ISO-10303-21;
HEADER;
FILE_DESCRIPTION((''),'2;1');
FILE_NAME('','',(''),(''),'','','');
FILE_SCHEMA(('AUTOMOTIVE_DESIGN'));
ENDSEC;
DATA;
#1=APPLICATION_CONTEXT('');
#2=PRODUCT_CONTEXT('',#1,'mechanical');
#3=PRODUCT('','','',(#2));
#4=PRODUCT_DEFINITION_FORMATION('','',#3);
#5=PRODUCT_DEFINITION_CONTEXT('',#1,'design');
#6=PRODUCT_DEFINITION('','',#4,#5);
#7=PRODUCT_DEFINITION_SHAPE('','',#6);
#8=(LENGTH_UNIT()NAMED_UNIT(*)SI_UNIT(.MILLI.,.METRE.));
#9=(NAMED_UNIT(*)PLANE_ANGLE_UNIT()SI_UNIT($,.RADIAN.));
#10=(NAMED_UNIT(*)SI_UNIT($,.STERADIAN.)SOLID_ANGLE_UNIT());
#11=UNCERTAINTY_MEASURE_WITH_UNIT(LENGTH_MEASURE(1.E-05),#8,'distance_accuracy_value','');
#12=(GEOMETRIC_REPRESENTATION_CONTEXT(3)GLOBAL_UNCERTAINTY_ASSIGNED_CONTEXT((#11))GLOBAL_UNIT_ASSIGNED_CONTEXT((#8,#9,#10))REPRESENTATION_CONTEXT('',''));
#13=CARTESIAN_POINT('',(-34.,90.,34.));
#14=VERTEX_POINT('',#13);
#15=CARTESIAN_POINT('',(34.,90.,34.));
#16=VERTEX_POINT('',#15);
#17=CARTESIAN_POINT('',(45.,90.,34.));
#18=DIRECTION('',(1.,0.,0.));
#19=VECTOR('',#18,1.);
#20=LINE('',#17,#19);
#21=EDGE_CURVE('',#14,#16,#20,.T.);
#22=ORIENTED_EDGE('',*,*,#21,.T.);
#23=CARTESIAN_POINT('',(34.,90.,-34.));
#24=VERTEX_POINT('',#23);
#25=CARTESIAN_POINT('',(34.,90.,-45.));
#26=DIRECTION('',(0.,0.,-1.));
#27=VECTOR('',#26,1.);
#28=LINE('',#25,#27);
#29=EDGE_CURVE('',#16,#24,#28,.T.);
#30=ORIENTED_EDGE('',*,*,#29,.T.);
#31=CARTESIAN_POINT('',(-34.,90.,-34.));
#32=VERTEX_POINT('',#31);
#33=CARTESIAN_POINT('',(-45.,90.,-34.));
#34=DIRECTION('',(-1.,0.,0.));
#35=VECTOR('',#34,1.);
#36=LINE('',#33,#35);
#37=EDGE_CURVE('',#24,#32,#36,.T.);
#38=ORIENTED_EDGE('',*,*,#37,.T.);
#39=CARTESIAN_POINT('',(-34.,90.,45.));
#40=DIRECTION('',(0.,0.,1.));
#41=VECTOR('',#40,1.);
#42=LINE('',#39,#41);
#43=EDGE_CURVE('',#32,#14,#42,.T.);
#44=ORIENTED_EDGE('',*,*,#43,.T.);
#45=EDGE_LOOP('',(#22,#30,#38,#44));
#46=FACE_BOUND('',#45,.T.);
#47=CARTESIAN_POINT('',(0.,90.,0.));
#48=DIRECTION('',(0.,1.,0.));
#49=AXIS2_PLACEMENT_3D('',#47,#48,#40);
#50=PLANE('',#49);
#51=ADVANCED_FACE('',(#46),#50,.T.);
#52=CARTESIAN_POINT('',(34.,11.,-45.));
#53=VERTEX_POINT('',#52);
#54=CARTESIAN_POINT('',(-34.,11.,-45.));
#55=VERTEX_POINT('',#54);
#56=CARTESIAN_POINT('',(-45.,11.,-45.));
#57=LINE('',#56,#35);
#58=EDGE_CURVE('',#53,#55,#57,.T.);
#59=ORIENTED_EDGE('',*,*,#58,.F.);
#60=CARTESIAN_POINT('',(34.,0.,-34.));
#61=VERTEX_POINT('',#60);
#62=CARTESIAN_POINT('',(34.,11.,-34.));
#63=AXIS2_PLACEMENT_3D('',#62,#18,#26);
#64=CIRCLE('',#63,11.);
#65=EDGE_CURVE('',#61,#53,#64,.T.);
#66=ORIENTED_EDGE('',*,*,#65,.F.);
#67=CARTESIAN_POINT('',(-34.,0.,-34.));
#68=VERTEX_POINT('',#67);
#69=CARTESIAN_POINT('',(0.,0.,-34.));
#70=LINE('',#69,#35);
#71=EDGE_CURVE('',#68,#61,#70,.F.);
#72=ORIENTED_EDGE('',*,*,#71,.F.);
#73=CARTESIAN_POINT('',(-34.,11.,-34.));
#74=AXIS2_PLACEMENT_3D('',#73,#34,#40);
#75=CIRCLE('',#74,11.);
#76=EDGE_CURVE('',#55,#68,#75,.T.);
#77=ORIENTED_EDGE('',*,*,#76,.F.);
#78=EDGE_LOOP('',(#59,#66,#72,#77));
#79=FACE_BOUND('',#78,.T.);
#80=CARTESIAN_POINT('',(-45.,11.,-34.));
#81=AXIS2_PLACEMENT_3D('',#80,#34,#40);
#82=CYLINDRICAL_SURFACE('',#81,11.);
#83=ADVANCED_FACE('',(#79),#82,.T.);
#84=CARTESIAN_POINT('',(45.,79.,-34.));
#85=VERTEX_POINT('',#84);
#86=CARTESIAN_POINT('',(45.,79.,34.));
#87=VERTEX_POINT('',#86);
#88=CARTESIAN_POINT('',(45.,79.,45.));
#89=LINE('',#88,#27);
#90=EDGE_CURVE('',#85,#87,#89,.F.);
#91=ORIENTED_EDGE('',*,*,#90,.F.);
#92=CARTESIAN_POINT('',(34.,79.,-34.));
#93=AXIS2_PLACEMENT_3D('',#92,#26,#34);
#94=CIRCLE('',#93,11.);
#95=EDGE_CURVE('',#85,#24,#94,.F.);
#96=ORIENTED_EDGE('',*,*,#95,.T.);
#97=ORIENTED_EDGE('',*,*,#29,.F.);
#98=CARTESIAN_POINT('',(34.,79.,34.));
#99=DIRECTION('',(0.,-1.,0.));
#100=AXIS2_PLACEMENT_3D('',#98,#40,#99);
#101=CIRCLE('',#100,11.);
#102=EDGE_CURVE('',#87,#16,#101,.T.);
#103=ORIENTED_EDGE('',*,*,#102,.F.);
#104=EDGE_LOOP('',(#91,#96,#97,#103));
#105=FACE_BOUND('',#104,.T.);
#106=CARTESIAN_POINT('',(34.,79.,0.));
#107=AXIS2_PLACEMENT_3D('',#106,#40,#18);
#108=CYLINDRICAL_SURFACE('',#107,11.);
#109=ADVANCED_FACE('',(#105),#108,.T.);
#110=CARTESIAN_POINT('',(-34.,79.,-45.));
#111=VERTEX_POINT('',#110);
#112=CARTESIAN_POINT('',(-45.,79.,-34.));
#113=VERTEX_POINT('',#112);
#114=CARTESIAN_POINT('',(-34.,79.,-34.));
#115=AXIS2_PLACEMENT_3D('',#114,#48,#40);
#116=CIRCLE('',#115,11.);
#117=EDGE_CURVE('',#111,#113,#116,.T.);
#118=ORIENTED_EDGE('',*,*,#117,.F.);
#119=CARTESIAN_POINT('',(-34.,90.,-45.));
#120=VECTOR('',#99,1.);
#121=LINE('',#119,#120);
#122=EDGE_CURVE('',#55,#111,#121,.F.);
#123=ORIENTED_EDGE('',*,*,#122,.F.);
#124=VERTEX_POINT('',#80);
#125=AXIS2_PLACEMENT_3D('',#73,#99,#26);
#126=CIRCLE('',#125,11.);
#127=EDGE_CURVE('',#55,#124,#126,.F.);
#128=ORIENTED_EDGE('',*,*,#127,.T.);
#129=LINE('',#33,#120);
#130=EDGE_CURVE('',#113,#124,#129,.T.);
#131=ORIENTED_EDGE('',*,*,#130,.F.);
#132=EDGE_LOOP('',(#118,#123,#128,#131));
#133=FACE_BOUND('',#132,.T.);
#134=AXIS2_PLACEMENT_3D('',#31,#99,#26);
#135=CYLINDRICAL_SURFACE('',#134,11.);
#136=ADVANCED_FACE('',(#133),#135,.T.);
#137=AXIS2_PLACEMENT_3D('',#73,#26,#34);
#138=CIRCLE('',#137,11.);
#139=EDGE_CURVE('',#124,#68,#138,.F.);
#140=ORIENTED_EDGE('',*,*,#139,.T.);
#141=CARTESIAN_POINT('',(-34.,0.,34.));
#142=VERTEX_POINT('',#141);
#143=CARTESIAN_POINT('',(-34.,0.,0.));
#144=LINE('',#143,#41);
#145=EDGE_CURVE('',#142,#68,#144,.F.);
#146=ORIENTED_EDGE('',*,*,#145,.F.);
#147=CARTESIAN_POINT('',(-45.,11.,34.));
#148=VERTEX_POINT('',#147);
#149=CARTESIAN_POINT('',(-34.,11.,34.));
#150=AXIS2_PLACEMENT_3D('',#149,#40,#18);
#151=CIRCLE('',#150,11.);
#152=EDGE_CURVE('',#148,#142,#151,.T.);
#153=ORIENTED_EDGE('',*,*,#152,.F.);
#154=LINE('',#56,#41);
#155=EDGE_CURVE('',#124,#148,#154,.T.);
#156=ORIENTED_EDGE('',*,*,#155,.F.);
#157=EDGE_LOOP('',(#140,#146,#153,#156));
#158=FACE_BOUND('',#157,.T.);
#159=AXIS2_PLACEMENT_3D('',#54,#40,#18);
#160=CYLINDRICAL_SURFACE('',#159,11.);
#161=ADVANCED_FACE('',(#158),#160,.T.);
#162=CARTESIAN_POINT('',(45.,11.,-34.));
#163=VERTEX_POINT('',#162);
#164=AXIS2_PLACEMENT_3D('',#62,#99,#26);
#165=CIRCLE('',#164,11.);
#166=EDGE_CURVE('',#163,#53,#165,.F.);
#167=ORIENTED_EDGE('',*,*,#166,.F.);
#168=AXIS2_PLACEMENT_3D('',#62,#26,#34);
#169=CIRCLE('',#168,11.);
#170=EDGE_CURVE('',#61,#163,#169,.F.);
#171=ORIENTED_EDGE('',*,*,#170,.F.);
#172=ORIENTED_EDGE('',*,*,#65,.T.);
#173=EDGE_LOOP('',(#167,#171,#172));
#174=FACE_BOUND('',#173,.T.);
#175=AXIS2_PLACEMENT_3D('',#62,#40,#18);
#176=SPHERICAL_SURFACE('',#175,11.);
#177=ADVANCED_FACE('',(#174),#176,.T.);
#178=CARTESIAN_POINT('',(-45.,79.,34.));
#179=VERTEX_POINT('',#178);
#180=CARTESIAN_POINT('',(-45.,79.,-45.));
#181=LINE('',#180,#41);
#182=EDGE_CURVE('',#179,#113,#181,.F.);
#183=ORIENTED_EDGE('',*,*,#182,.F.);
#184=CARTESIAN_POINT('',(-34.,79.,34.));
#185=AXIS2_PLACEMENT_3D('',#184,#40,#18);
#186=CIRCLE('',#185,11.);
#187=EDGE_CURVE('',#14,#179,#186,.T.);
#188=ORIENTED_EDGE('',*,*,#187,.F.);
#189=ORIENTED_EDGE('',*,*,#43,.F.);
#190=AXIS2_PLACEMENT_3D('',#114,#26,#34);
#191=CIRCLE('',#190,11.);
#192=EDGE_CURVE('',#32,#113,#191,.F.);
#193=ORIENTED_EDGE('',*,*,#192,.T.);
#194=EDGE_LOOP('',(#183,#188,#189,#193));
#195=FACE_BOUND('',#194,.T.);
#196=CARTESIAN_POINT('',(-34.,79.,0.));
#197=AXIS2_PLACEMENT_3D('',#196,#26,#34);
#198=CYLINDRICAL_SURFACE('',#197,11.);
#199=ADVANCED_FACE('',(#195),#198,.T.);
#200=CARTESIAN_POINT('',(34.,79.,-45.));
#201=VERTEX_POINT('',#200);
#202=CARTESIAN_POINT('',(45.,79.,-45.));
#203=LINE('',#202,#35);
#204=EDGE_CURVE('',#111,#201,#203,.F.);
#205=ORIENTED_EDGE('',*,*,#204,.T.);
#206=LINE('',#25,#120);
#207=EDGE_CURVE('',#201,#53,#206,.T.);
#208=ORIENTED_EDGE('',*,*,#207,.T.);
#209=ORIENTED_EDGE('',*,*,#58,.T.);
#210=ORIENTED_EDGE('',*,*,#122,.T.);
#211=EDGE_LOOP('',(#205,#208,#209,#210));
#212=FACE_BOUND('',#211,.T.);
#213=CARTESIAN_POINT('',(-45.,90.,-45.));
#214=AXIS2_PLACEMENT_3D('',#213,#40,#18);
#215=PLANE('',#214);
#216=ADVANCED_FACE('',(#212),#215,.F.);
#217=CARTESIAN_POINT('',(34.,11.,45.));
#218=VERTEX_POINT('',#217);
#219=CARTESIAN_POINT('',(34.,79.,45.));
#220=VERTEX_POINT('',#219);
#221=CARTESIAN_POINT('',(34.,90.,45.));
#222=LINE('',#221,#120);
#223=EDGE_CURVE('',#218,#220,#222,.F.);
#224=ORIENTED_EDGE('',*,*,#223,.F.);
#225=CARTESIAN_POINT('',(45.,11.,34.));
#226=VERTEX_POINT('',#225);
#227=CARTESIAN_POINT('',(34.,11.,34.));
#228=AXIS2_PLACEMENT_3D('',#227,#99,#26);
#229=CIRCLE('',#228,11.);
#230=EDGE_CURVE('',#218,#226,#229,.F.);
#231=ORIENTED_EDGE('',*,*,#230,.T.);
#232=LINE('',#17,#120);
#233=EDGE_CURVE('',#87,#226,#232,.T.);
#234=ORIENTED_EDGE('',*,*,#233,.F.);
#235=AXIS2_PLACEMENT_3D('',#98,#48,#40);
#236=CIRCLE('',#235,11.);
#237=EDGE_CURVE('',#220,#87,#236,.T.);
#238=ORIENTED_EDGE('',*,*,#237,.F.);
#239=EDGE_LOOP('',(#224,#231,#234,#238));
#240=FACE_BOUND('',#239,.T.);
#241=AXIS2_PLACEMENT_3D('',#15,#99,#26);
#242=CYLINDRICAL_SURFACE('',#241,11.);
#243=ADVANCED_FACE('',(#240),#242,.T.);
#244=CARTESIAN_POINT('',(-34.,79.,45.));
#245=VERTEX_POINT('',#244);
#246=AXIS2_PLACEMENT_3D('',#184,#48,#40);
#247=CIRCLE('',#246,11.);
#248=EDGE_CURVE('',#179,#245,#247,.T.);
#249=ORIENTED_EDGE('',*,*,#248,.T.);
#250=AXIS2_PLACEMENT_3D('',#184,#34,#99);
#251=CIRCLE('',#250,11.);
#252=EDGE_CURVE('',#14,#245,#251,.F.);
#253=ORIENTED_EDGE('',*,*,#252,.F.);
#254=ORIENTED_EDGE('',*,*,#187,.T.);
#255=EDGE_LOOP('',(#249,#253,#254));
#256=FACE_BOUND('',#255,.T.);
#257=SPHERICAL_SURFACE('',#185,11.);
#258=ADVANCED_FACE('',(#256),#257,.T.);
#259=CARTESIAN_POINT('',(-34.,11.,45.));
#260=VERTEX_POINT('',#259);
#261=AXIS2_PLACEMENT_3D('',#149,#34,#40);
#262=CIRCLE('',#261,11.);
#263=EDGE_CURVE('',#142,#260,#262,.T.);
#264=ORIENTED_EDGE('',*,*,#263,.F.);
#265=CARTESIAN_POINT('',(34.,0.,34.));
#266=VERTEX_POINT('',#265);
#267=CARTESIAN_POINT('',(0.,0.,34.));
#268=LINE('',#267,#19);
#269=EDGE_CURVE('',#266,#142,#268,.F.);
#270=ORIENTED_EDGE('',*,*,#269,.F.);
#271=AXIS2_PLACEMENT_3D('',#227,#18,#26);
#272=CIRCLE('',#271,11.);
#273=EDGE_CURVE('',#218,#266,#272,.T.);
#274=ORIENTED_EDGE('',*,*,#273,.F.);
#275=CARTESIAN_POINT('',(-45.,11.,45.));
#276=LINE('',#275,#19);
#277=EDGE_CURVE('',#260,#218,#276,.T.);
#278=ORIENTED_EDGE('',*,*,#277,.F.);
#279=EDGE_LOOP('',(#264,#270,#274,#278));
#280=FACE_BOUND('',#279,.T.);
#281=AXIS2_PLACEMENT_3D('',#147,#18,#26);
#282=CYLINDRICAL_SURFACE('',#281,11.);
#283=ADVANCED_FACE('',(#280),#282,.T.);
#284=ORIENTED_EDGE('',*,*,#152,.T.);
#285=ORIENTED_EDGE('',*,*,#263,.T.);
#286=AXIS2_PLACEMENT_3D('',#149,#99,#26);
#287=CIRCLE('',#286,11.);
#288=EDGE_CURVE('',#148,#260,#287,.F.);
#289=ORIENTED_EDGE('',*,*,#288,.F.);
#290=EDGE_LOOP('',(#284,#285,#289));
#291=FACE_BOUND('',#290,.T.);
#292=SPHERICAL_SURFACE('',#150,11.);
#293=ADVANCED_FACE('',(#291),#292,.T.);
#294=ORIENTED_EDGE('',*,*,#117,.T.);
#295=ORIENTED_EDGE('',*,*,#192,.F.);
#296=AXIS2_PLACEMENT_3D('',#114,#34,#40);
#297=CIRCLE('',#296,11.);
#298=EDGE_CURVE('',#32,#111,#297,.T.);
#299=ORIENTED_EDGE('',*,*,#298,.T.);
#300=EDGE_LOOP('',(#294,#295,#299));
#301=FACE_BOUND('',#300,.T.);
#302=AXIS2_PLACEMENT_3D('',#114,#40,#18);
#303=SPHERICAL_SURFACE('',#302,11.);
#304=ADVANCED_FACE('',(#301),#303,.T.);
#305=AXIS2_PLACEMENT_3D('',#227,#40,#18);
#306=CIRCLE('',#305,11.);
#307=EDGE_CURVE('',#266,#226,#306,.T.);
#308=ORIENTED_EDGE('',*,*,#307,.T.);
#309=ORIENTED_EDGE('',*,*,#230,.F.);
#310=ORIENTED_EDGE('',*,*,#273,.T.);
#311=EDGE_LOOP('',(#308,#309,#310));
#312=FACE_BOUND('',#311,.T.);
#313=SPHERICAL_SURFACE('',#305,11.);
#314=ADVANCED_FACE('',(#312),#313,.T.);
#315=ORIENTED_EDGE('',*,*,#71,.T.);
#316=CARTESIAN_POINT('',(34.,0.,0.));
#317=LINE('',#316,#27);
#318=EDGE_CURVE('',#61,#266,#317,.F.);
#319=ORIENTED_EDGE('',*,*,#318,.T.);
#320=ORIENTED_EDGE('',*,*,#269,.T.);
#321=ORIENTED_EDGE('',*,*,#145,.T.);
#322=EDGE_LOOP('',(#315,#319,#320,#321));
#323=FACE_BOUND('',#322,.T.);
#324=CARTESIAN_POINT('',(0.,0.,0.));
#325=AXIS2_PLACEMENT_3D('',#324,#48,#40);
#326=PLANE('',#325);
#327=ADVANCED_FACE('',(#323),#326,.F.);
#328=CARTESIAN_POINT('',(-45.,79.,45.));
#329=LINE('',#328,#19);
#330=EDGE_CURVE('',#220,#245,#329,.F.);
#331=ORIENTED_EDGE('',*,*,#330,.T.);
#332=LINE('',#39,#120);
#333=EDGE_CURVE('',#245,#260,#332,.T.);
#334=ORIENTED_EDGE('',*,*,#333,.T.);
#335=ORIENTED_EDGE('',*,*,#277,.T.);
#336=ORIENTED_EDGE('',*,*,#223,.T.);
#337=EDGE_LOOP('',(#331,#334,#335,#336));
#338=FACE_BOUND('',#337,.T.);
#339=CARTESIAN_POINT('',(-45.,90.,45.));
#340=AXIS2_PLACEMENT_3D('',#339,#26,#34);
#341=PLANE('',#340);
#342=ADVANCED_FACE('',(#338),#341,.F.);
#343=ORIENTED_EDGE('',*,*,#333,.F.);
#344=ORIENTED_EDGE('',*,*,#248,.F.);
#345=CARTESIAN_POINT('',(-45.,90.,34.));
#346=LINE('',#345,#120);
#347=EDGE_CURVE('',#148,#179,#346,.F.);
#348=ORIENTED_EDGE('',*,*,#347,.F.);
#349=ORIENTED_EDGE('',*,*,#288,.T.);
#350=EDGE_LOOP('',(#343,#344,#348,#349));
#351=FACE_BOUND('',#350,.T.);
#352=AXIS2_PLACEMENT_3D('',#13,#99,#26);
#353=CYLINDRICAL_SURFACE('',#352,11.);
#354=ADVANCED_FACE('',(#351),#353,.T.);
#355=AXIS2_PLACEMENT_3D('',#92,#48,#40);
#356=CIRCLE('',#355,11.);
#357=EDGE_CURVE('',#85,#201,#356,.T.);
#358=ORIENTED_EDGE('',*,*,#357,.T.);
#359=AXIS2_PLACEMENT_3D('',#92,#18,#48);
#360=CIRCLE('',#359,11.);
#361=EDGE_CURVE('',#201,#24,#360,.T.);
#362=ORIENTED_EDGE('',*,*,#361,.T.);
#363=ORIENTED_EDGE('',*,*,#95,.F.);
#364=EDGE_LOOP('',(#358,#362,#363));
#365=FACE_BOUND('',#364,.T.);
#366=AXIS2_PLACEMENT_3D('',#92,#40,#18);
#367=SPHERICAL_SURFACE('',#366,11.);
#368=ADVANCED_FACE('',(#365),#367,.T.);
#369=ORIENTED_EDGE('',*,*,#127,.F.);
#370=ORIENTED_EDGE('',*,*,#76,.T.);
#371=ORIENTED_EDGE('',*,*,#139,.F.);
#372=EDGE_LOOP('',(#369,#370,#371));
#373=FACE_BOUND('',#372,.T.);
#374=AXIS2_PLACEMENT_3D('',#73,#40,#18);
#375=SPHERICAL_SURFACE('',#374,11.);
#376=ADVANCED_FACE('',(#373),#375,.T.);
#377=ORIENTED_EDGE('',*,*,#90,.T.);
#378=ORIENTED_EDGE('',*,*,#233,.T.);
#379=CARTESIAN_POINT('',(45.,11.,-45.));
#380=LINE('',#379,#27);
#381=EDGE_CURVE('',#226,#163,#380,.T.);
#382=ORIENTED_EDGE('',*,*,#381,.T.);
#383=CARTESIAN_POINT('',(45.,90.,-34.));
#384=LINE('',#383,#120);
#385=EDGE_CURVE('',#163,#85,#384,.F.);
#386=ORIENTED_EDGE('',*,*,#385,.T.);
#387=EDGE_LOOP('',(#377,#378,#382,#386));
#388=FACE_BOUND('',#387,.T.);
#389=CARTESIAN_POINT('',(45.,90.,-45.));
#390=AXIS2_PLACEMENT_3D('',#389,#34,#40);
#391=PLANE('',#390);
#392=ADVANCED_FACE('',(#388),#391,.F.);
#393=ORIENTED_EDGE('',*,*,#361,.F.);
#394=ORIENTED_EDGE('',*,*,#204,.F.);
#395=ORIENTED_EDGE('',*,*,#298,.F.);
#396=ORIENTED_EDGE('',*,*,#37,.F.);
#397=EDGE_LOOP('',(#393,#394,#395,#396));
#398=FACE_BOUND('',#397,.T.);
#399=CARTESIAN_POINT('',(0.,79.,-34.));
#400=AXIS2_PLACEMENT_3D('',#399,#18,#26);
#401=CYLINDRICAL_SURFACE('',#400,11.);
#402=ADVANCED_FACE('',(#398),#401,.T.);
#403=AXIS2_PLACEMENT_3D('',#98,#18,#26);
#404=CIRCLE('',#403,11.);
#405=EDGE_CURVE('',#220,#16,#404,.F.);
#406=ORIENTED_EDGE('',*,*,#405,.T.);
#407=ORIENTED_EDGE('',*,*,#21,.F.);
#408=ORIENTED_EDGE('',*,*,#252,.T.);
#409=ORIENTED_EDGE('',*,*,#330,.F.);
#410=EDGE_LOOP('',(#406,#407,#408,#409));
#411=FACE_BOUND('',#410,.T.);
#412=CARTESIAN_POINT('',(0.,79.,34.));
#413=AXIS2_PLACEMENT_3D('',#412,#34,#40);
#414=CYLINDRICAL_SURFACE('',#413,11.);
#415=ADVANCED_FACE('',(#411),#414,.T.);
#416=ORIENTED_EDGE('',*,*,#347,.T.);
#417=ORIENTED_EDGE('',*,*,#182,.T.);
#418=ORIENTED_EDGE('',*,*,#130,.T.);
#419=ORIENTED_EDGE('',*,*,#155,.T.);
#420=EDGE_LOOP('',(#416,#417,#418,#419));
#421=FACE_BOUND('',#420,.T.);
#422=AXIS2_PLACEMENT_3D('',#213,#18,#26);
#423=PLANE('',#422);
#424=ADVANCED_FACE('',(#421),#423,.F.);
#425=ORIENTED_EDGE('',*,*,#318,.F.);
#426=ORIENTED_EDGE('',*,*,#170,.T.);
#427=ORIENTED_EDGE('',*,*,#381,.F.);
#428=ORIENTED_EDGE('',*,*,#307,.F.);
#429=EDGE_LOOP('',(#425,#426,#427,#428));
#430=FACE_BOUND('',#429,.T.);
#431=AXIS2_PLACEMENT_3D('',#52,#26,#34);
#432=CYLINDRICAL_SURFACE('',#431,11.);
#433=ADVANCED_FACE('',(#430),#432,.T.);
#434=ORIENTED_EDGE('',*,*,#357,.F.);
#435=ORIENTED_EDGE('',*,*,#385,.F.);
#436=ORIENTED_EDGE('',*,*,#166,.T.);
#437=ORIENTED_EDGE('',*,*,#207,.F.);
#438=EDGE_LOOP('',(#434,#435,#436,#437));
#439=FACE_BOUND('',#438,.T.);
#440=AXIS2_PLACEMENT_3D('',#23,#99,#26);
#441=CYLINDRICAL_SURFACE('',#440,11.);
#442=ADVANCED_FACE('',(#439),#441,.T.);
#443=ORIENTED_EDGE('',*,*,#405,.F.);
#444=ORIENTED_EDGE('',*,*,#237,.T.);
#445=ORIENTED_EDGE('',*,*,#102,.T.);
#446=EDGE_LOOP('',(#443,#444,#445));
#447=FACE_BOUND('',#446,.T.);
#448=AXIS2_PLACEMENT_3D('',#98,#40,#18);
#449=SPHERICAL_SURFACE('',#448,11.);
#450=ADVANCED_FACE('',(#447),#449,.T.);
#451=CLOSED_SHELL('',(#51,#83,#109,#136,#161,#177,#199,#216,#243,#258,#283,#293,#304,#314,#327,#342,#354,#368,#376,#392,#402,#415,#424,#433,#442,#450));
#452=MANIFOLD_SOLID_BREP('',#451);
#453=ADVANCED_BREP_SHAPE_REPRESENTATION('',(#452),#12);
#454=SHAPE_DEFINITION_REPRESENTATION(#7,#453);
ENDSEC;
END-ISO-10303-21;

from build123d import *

# Parameters (mm, degrees)
SKETCH1_W           = 90
SKETCH1_H           = 90
BOSS_EXTRUDE1_DEPTH = 90
FILLET1_R           = 11


with BuildPart() as part:
    # Sketch1 → Boss-Extrude1 (new body)
    with BuildSketch(Plane(origin=(0, 0, 0), x_dir=(1, 0, 0), z_dir=(0, 1, 0))):
        Rectangle(SKETCH1_W, SKETCH1_H)
    extrude(amount=BOSS_EXTRUDE1_DEPTH)

    # Fillet1
    fillet1_edges = [part.edges().sort_by_distance(p)[0] for p in [
        (-45, 90, 0),
        (0, 90, 45),
        (45, 90, 0),
        (0, 0, 45),
        (-45, 0, 0),
        (0, 0, -45),
        (45, 0, 0),
        (0, 90, -45),
        (45, 45, 45),
        (-45, 45, 45),
        (-45, 45, -45),
        (45, 45, -45),
    ]]
    fillet(fillet1_edges, radius=FILLET1_R)


solid = part.part
